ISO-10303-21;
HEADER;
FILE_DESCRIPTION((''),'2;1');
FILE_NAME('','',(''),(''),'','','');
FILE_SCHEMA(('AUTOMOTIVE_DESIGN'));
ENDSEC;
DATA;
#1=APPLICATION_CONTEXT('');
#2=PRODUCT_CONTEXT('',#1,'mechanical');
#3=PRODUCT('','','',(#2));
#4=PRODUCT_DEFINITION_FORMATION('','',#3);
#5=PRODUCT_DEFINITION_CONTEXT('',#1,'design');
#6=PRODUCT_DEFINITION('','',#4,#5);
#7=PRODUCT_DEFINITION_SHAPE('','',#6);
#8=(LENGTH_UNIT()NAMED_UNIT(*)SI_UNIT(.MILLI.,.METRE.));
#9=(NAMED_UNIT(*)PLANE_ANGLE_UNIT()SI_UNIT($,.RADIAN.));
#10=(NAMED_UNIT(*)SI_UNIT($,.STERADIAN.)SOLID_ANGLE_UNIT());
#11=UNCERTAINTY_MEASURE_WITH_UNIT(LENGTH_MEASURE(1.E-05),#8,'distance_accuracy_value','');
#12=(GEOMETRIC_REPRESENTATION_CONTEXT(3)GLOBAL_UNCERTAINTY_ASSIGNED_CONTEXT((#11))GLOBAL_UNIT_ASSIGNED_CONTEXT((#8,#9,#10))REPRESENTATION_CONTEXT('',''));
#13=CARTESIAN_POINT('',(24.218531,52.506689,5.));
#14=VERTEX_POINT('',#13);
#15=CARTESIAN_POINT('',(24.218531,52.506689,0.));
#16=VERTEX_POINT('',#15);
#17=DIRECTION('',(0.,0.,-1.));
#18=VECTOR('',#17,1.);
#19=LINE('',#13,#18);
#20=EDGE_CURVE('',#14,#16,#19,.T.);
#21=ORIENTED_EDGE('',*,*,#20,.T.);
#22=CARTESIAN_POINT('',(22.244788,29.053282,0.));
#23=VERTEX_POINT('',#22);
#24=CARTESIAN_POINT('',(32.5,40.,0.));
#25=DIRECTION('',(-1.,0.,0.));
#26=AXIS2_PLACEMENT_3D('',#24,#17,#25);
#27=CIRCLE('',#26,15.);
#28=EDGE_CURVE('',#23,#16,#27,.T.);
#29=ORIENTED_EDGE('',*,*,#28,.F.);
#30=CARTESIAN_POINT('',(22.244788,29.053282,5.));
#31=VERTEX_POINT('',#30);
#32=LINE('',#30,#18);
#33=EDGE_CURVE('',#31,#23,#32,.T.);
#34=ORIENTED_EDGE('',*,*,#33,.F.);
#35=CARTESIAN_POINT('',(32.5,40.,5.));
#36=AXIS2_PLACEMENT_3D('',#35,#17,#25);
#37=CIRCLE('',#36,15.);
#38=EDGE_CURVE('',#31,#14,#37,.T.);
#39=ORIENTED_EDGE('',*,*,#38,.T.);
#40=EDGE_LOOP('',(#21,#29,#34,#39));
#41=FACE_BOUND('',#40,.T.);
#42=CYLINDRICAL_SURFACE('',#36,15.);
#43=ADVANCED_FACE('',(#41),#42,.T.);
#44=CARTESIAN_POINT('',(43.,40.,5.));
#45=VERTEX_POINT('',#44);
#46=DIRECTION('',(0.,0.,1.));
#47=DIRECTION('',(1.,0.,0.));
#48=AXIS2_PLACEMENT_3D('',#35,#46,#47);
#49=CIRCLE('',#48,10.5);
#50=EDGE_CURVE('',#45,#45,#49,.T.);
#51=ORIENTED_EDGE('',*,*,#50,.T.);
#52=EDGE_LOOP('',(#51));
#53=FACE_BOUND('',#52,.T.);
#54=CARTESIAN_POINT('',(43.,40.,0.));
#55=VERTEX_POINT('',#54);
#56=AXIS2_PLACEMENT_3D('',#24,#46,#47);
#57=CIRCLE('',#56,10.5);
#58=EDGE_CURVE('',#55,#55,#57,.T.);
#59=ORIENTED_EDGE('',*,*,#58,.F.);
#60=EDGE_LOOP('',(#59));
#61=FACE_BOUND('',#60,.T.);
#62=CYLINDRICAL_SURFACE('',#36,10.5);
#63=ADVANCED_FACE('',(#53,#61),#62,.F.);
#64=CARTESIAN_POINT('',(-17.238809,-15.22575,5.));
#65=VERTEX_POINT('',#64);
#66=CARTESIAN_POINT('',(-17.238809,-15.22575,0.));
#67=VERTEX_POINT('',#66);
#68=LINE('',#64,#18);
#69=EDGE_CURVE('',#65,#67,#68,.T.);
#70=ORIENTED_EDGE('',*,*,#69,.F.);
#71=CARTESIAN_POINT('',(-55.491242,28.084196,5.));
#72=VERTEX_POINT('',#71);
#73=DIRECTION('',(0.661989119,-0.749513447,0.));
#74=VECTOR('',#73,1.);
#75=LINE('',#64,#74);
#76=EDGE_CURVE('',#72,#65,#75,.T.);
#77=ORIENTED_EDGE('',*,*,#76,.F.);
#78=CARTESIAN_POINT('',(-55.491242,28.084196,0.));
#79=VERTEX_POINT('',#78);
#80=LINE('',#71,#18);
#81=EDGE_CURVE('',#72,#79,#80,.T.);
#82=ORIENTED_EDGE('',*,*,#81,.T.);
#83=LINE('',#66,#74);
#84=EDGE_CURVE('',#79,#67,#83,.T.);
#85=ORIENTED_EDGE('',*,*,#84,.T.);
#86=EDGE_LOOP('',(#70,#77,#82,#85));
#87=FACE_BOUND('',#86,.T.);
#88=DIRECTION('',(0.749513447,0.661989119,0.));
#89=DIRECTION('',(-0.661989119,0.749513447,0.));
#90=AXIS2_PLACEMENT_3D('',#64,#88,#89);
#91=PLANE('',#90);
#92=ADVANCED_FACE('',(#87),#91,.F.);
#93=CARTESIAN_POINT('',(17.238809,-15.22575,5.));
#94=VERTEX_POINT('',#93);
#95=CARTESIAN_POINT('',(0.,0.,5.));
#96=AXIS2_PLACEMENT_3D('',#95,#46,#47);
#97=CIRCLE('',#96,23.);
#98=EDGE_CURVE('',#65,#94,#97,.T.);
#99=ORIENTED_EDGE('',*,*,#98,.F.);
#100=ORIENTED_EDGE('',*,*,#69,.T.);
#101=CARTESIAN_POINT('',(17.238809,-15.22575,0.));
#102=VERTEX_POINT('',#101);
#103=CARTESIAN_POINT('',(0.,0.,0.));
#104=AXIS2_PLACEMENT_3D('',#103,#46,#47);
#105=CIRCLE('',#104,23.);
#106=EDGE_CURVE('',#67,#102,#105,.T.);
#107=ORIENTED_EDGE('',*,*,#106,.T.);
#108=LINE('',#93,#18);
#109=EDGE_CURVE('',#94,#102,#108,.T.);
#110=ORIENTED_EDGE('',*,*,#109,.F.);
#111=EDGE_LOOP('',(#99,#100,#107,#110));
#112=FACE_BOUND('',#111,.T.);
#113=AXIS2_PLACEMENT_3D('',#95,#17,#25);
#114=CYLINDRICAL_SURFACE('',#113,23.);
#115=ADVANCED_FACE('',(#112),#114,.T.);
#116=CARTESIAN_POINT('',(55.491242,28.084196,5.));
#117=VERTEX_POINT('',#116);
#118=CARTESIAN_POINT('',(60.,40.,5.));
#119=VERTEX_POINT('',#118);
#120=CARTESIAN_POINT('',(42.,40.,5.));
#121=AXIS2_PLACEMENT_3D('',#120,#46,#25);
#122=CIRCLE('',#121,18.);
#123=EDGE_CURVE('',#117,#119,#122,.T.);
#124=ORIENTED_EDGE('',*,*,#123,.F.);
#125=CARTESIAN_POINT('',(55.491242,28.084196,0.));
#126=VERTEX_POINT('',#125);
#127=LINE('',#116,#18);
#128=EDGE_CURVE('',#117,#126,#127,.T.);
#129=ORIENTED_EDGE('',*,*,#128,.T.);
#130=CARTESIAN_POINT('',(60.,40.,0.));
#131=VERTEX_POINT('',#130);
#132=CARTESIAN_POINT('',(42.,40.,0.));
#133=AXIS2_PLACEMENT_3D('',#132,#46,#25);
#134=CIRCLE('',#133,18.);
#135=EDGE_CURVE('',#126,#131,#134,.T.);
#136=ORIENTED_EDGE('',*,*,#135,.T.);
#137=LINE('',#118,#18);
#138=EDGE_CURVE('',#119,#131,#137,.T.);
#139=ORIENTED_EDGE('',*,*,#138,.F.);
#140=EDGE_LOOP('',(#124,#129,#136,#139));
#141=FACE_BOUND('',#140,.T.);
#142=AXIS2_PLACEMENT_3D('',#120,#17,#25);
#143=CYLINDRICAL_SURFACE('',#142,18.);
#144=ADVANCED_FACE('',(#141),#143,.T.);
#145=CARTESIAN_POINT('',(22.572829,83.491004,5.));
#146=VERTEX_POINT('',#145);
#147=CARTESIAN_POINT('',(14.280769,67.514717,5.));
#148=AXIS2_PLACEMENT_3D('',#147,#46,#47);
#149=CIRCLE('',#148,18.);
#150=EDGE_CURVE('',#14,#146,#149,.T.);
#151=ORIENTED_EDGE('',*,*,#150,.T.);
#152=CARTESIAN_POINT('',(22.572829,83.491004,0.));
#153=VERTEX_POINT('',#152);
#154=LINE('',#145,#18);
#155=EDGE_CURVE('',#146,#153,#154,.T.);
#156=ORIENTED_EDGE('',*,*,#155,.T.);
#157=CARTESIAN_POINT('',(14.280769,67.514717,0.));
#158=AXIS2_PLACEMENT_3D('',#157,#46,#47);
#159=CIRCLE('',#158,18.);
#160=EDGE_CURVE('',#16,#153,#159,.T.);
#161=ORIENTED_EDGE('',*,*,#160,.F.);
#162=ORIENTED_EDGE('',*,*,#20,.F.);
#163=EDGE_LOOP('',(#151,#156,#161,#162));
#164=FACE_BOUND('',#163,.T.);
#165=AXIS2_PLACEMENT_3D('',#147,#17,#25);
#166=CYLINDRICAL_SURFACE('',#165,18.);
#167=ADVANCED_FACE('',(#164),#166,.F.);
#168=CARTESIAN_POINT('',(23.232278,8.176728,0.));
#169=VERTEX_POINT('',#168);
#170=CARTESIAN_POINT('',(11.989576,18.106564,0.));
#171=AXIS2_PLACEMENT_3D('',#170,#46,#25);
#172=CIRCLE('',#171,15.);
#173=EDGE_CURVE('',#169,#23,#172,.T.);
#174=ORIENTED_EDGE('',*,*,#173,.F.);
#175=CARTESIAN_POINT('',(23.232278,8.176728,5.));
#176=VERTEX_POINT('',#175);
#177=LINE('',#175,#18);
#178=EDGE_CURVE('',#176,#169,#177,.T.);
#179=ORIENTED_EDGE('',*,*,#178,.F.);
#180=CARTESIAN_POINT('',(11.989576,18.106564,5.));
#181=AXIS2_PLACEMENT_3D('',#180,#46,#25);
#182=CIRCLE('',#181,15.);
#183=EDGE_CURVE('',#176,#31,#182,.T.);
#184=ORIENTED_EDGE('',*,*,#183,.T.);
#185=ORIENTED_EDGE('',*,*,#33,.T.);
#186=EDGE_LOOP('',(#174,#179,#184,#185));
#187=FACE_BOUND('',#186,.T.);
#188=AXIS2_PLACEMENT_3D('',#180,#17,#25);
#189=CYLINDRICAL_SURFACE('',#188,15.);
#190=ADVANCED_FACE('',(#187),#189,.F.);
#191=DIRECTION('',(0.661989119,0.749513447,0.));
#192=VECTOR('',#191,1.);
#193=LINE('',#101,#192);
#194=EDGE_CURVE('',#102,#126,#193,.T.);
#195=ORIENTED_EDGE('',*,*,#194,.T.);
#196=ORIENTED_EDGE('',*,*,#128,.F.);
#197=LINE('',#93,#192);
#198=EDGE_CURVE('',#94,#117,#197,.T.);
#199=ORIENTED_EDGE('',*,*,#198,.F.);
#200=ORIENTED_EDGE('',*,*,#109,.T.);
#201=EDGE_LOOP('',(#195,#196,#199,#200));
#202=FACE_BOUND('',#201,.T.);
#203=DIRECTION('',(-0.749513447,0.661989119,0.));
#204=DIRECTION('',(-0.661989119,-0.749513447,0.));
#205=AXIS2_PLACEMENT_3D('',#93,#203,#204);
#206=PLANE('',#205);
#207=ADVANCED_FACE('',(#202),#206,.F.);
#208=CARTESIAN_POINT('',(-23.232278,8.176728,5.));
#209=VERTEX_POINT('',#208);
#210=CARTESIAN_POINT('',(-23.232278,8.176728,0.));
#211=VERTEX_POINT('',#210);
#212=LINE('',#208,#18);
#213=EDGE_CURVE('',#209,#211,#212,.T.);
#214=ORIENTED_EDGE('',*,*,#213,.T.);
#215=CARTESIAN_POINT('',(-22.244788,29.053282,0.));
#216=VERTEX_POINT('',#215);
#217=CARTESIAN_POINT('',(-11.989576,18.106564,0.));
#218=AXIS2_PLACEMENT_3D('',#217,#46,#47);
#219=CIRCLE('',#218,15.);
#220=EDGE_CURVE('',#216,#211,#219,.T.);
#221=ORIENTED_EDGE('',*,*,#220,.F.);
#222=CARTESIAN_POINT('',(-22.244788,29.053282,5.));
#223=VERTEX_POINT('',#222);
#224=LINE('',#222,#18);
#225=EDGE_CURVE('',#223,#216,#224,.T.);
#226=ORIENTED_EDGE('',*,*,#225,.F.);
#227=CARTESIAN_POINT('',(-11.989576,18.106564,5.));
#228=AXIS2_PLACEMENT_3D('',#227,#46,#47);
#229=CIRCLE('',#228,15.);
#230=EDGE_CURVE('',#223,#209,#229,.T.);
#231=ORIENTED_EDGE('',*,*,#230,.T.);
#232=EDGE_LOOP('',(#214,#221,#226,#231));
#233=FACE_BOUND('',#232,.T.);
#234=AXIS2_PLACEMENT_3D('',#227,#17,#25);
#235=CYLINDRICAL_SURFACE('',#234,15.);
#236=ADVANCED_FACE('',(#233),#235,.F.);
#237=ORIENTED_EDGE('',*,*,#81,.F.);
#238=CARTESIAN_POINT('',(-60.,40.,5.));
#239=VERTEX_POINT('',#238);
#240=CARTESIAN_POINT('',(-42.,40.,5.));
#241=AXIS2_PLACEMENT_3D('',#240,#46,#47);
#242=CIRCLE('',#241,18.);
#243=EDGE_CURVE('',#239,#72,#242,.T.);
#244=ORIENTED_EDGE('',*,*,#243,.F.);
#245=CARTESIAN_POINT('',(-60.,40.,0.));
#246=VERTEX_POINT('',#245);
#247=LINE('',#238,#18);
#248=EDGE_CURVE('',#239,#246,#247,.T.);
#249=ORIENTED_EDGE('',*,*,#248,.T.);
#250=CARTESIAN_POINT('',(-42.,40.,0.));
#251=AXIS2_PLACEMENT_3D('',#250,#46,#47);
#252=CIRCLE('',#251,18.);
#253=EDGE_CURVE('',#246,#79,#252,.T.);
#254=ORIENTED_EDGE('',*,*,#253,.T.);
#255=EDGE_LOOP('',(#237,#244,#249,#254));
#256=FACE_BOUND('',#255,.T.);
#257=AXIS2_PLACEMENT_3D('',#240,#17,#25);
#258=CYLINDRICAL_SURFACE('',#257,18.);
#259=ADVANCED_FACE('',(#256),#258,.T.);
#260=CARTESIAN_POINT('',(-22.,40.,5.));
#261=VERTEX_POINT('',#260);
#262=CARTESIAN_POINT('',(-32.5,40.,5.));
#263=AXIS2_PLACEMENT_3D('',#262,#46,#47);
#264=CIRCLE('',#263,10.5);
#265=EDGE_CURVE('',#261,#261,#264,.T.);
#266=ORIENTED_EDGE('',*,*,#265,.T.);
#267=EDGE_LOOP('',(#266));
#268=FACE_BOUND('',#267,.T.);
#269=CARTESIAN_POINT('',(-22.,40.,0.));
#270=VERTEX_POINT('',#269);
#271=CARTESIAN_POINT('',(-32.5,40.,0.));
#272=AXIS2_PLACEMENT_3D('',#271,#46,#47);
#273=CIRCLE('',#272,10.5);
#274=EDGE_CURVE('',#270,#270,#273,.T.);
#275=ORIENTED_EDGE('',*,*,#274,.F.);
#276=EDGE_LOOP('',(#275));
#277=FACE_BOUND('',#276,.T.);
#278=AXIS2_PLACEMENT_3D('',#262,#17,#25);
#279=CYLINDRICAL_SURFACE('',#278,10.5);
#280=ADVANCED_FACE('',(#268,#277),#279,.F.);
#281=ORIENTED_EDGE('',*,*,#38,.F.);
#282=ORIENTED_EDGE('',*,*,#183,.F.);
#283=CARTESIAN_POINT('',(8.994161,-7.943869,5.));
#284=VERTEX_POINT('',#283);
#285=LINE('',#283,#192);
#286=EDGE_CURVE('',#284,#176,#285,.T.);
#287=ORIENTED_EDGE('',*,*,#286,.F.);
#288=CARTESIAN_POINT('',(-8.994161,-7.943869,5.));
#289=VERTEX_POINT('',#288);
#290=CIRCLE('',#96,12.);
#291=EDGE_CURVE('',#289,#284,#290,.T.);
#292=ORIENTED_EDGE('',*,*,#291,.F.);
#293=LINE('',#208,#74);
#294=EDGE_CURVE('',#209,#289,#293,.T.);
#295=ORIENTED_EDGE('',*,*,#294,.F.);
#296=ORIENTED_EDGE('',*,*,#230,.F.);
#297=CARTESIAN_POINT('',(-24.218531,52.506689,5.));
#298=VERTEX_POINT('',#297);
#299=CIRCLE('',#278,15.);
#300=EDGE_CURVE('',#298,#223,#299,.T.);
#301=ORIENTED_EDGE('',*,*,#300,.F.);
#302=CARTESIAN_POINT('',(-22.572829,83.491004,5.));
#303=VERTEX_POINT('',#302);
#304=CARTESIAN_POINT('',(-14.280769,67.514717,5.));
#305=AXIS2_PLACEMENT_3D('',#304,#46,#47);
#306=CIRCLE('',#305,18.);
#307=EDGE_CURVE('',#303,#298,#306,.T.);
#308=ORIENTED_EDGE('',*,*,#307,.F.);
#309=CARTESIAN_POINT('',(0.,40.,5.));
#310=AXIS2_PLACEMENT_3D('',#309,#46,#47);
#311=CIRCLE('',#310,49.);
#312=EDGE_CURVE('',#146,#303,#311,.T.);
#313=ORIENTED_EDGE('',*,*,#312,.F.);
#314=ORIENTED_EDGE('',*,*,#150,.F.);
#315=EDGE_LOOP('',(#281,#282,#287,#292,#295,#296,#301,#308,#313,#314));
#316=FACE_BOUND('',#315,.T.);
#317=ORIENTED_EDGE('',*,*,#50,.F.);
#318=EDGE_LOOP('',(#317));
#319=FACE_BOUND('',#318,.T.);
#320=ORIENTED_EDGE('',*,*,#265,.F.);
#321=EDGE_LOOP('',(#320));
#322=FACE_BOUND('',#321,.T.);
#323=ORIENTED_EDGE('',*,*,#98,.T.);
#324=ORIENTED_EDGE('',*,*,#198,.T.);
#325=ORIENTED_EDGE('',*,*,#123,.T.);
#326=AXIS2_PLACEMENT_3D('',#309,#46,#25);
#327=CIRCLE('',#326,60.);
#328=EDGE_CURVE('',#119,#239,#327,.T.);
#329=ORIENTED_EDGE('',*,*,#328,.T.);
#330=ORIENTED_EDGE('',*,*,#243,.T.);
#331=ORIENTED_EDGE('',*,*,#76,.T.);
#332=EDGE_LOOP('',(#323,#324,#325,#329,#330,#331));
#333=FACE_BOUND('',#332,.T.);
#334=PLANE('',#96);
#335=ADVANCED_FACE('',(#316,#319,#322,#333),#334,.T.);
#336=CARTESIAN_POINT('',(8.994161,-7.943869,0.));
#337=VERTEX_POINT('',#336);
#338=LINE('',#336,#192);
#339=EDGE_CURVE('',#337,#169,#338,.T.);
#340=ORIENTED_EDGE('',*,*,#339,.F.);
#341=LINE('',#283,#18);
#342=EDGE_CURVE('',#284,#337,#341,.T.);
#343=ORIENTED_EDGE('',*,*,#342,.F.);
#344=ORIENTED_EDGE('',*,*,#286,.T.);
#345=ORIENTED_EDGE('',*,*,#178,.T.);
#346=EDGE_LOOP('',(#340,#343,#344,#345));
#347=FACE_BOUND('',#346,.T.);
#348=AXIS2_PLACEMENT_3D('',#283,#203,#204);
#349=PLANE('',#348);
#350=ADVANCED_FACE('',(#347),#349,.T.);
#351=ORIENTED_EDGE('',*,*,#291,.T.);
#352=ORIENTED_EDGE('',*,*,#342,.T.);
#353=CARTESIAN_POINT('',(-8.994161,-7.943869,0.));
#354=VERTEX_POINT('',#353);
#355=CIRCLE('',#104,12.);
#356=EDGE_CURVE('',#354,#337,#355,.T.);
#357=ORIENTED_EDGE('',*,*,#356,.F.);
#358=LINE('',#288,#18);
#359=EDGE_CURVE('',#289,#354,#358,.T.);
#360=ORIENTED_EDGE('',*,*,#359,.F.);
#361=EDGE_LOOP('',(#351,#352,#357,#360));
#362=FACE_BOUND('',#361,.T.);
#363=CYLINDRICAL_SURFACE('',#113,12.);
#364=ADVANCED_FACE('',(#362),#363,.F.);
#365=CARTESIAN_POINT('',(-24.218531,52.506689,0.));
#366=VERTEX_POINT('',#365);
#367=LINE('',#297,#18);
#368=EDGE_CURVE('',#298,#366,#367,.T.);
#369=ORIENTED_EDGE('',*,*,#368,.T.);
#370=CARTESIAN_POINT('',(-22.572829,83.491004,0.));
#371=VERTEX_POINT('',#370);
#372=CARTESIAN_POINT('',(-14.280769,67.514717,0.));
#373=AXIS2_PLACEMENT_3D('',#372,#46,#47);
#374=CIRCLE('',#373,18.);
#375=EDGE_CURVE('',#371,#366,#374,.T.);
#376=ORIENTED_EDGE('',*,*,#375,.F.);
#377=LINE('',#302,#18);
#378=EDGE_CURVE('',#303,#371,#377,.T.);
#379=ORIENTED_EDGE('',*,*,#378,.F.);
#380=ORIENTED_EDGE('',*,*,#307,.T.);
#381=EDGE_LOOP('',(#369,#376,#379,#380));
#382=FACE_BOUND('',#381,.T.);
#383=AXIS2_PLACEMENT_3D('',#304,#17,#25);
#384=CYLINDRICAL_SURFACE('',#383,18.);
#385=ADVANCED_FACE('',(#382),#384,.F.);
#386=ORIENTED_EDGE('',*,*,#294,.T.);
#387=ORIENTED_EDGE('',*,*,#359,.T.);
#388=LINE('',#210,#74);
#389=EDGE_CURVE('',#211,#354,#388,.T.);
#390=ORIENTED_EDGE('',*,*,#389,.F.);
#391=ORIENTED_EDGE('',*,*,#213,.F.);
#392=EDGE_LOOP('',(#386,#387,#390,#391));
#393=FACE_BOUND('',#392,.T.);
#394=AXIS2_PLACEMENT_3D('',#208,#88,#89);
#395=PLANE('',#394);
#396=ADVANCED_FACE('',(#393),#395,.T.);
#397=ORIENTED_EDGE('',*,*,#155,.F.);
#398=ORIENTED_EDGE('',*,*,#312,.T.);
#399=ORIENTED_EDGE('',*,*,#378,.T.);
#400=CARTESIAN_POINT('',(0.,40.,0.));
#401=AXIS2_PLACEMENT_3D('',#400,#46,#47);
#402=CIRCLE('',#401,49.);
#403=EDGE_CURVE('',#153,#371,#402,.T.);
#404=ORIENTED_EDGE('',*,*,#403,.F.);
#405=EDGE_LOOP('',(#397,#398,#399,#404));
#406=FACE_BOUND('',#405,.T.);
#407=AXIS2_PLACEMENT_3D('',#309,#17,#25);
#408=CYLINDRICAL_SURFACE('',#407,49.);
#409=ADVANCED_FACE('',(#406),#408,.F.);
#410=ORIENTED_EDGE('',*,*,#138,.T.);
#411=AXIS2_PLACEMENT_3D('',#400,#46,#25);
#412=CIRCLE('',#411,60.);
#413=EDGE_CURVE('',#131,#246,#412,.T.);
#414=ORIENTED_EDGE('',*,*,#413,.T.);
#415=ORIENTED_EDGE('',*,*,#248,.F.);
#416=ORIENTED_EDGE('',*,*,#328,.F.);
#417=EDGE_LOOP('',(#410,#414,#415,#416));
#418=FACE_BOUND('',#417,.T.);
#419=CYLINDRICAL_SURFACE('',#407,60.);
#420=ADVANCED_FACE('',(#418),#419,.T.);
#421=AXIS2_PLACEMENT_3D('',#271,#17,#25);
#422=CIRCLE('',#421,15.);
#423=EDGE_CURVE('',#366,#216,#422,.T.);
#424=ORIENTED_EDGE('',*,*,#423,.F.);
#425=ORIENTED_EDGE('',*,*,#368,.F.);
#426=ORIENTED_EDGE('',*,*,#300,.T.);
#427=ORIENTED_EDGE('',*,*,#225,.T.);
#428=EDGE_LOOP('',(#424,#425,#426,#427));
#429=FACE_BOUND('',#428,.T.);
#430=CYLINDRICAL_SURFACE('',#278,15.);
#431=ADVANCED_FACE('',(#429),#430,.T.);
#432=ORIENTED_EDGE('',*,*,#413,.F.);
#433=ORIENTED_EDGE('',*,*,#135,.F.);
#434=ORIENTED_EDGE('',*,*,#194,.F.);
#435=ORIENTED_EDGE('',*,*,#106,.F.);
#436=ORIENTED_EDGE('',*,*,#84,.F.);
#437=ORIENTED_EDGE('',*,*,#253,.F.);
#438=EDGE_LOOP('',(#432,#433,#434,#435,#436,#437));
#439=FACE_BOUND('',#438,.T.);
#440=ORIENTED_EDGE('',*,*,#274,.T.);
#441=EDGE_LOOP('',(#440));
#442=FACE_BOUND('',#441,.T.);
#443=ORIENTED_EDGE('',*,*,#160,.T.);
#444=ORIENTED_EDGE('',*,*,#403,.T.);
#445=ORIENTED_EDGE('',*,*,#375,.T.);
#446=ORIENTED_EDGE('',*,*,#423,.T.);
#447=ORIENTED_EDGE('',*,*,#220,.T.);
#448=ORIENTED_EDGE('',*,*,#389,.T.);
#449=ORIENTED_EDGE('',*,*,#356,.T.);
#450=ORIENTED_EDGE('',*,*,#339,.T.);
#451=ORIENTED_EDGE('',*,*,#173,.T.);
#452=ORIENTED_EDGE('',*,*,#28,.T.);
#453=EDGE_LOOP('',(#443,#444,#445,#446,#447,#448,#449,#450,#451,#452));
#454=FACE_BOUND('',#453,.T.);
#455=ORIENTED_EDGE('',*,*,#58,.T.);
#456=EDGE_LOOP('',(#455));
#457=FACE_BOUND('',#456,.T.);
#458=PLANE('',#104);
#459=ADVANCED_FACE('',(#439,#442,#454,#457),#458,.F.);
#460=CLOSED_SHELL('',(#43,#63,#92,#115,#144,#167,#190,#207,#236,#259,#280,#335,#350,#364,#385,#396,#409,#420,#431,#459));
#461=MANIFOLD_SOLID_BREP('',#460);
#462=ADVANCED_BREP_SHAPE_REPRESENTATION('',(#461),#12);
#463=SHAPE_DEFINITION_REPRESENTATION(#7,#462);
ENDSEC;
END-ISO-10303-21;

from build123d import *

# Parameters (mm, degrees)
SZKIC1_R                    = 10.5
DODANIE_WYCI_GNI_CIE1_DEPTH = 5


with BuildPart() as part:
    # Szkic1 → Dodanie-wyciągnięcie1 (new body)
    with BuildSketch(Plane.XY):
        with BuildLine():
            Line((-17.23880927, -15.225749734), (-55.491242037, 28.084195861))
            ThreePointArc((-55.491242037, 28.084195861), (-58.835117414, 33.629849165), (-60, 40))
            ThreePointArc((-60, 40), (0, 100), (60, 40))
            ThreePointArc((60, 40), (58.835117414, 33.629849165), (55.491242037, 28.084195861))
            Line((55.491242037, 28.084195861), (17.23880927, -15.225749734))
            ThreePointArc((17.23880927, -15.225749734), (0, -23), (-17.23880927, -15.225749734))
        make_face()
        with Locations((-32.5, 40)):
            Circle(SZKIC1_R, mode=Mode.SUBTRACT)
        with Locations((32.5, 40)):
            Circle(SZKIC1_R, mode=Mode.SUBTRACT)
        with BuildLine():
            Line((-23.232277997, 8.17672768), (-8.994161358, -7.943869426))
            ThreePointArc((-8.994161358, -7.943869426), (0, -12), (8.994161358, -7.943869426))
            Line((8.994161358, -7.943869426), (23.232277997, 8.17672768))
            ThreePointArc((23.232277997, 8.17672768), (26.972823751, 18.81529275), (22.24478815, 29.053282232))
            ThreePointArc((22.24478815, 29.053282232), (17.552836173, 41.257892492), (24.218531469, 52.506689369))
            ThreePointArc((24.218531469, 52.506689369), (32.255432897, 68.469423949), (22.572828784, 83.491003675))
            ThreePointArc((22.572828784, 83.491003675), (0, 89), (-22.572828784, 83.491003675))
            ThreePointArc((-22.572828784, 83.491003675), (-32.255432897, 68.469423949), (-24.218531469, 52.506689369))
            ThreePointArc((-24.218531469, 52.506689369), (-17.552836173, 41.257892492), (-22.24478815, 29.053282232))
            ThreePointArc((-22.24478815, 29.053282232), (-26.972823751, 18.81529275), (-23.232277997, 8.17672768))
        make_face(mode=Mode.SUBTRACT)
    extrude(amount=DODANIE_WYCI_GNI_CIE1_DEPTH)


solid = part.part
